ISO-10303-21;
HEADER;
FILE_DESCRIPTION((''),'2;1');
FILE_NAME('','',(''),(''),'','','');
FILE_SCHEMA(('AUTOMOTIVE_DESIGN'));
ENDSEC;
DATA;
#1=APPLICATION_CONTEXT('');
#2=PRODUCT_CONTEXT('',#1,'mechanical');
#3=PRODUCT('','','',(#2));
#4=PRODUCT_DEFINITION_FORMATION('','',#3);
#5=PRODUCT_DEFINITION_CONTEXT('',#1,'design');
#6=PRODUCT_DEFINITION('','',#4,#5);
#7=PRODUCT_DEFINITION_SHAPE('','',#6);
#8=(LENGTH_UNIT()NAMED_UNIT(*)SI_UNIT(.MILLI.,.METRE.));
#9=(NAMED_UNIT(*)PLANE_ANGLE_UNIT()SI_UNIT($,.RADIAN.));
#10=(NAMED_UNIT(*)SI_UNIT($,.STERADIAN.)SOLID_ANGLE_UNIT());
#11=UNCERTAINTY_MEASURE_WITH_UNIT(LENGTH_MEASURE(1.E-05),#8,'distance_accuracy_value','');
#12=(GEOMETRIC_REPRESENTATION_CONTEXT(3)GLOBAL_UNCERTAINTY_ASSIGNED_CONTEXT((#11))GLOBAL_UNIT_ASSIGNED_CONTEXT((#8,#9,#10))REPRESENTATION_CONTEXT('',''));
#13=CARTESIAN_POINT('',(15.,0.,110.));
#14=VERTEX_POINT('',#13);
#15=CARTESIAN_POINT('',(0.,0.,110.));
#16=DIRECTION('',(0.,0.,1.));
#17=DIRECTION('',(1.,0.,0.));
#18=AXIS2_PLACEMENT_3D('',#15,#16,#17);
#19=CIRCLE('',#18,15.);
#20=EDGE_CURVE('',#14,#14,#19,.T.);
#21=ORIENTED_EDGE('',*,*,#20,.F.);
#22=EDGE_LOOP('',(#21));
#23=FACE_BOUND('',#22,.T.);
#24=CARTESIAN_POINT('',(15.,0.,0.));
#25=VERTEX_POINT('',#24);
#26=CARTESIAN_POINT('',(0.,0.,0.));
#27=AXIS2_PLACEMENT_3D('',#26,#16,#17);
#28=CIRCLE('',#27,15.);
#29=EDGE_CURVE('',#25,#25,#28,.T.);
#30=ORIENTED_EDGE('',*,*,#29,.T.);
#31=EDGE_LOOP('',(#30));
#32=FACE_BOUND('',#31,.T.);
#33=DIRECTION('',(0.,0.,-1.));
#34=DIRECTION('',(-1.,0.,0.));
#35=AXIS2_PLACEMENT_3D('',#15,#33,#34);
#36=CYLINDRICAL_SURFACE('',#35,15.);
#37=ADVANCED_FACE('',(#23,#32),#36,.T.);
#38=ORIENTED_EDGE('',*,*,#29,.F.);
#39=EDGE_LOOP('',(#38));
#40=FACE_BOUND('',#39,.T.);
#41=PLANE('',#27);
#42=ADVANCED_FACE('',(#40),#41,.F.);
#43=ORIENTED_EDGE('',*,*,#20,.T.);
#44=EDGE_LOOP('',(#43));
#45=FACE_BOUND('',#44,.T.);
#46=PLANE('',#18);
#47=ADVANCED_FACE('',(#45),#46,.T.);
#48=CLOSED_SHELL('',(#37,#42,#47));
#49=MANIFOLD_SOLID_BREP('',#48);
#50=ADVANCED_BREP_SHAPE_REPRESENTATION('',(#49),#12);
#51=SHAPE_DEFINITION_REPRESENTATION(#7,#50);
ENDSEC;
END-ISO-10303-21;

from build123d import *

# Parameters (mm, degrees)
SKETCH1_R           = 15
BOSS_EXTRUDE1_DEPTH = 110


with BuildPart() as part:
    # Sketch1 → Boss-Extrude1 (new body)
    with BuildSketch(Plane.XY):
        Circle(SKETCH1_R)
    extrude(amount=BOSS_EXTRUDE1_DEPTH)


solid = part.part
